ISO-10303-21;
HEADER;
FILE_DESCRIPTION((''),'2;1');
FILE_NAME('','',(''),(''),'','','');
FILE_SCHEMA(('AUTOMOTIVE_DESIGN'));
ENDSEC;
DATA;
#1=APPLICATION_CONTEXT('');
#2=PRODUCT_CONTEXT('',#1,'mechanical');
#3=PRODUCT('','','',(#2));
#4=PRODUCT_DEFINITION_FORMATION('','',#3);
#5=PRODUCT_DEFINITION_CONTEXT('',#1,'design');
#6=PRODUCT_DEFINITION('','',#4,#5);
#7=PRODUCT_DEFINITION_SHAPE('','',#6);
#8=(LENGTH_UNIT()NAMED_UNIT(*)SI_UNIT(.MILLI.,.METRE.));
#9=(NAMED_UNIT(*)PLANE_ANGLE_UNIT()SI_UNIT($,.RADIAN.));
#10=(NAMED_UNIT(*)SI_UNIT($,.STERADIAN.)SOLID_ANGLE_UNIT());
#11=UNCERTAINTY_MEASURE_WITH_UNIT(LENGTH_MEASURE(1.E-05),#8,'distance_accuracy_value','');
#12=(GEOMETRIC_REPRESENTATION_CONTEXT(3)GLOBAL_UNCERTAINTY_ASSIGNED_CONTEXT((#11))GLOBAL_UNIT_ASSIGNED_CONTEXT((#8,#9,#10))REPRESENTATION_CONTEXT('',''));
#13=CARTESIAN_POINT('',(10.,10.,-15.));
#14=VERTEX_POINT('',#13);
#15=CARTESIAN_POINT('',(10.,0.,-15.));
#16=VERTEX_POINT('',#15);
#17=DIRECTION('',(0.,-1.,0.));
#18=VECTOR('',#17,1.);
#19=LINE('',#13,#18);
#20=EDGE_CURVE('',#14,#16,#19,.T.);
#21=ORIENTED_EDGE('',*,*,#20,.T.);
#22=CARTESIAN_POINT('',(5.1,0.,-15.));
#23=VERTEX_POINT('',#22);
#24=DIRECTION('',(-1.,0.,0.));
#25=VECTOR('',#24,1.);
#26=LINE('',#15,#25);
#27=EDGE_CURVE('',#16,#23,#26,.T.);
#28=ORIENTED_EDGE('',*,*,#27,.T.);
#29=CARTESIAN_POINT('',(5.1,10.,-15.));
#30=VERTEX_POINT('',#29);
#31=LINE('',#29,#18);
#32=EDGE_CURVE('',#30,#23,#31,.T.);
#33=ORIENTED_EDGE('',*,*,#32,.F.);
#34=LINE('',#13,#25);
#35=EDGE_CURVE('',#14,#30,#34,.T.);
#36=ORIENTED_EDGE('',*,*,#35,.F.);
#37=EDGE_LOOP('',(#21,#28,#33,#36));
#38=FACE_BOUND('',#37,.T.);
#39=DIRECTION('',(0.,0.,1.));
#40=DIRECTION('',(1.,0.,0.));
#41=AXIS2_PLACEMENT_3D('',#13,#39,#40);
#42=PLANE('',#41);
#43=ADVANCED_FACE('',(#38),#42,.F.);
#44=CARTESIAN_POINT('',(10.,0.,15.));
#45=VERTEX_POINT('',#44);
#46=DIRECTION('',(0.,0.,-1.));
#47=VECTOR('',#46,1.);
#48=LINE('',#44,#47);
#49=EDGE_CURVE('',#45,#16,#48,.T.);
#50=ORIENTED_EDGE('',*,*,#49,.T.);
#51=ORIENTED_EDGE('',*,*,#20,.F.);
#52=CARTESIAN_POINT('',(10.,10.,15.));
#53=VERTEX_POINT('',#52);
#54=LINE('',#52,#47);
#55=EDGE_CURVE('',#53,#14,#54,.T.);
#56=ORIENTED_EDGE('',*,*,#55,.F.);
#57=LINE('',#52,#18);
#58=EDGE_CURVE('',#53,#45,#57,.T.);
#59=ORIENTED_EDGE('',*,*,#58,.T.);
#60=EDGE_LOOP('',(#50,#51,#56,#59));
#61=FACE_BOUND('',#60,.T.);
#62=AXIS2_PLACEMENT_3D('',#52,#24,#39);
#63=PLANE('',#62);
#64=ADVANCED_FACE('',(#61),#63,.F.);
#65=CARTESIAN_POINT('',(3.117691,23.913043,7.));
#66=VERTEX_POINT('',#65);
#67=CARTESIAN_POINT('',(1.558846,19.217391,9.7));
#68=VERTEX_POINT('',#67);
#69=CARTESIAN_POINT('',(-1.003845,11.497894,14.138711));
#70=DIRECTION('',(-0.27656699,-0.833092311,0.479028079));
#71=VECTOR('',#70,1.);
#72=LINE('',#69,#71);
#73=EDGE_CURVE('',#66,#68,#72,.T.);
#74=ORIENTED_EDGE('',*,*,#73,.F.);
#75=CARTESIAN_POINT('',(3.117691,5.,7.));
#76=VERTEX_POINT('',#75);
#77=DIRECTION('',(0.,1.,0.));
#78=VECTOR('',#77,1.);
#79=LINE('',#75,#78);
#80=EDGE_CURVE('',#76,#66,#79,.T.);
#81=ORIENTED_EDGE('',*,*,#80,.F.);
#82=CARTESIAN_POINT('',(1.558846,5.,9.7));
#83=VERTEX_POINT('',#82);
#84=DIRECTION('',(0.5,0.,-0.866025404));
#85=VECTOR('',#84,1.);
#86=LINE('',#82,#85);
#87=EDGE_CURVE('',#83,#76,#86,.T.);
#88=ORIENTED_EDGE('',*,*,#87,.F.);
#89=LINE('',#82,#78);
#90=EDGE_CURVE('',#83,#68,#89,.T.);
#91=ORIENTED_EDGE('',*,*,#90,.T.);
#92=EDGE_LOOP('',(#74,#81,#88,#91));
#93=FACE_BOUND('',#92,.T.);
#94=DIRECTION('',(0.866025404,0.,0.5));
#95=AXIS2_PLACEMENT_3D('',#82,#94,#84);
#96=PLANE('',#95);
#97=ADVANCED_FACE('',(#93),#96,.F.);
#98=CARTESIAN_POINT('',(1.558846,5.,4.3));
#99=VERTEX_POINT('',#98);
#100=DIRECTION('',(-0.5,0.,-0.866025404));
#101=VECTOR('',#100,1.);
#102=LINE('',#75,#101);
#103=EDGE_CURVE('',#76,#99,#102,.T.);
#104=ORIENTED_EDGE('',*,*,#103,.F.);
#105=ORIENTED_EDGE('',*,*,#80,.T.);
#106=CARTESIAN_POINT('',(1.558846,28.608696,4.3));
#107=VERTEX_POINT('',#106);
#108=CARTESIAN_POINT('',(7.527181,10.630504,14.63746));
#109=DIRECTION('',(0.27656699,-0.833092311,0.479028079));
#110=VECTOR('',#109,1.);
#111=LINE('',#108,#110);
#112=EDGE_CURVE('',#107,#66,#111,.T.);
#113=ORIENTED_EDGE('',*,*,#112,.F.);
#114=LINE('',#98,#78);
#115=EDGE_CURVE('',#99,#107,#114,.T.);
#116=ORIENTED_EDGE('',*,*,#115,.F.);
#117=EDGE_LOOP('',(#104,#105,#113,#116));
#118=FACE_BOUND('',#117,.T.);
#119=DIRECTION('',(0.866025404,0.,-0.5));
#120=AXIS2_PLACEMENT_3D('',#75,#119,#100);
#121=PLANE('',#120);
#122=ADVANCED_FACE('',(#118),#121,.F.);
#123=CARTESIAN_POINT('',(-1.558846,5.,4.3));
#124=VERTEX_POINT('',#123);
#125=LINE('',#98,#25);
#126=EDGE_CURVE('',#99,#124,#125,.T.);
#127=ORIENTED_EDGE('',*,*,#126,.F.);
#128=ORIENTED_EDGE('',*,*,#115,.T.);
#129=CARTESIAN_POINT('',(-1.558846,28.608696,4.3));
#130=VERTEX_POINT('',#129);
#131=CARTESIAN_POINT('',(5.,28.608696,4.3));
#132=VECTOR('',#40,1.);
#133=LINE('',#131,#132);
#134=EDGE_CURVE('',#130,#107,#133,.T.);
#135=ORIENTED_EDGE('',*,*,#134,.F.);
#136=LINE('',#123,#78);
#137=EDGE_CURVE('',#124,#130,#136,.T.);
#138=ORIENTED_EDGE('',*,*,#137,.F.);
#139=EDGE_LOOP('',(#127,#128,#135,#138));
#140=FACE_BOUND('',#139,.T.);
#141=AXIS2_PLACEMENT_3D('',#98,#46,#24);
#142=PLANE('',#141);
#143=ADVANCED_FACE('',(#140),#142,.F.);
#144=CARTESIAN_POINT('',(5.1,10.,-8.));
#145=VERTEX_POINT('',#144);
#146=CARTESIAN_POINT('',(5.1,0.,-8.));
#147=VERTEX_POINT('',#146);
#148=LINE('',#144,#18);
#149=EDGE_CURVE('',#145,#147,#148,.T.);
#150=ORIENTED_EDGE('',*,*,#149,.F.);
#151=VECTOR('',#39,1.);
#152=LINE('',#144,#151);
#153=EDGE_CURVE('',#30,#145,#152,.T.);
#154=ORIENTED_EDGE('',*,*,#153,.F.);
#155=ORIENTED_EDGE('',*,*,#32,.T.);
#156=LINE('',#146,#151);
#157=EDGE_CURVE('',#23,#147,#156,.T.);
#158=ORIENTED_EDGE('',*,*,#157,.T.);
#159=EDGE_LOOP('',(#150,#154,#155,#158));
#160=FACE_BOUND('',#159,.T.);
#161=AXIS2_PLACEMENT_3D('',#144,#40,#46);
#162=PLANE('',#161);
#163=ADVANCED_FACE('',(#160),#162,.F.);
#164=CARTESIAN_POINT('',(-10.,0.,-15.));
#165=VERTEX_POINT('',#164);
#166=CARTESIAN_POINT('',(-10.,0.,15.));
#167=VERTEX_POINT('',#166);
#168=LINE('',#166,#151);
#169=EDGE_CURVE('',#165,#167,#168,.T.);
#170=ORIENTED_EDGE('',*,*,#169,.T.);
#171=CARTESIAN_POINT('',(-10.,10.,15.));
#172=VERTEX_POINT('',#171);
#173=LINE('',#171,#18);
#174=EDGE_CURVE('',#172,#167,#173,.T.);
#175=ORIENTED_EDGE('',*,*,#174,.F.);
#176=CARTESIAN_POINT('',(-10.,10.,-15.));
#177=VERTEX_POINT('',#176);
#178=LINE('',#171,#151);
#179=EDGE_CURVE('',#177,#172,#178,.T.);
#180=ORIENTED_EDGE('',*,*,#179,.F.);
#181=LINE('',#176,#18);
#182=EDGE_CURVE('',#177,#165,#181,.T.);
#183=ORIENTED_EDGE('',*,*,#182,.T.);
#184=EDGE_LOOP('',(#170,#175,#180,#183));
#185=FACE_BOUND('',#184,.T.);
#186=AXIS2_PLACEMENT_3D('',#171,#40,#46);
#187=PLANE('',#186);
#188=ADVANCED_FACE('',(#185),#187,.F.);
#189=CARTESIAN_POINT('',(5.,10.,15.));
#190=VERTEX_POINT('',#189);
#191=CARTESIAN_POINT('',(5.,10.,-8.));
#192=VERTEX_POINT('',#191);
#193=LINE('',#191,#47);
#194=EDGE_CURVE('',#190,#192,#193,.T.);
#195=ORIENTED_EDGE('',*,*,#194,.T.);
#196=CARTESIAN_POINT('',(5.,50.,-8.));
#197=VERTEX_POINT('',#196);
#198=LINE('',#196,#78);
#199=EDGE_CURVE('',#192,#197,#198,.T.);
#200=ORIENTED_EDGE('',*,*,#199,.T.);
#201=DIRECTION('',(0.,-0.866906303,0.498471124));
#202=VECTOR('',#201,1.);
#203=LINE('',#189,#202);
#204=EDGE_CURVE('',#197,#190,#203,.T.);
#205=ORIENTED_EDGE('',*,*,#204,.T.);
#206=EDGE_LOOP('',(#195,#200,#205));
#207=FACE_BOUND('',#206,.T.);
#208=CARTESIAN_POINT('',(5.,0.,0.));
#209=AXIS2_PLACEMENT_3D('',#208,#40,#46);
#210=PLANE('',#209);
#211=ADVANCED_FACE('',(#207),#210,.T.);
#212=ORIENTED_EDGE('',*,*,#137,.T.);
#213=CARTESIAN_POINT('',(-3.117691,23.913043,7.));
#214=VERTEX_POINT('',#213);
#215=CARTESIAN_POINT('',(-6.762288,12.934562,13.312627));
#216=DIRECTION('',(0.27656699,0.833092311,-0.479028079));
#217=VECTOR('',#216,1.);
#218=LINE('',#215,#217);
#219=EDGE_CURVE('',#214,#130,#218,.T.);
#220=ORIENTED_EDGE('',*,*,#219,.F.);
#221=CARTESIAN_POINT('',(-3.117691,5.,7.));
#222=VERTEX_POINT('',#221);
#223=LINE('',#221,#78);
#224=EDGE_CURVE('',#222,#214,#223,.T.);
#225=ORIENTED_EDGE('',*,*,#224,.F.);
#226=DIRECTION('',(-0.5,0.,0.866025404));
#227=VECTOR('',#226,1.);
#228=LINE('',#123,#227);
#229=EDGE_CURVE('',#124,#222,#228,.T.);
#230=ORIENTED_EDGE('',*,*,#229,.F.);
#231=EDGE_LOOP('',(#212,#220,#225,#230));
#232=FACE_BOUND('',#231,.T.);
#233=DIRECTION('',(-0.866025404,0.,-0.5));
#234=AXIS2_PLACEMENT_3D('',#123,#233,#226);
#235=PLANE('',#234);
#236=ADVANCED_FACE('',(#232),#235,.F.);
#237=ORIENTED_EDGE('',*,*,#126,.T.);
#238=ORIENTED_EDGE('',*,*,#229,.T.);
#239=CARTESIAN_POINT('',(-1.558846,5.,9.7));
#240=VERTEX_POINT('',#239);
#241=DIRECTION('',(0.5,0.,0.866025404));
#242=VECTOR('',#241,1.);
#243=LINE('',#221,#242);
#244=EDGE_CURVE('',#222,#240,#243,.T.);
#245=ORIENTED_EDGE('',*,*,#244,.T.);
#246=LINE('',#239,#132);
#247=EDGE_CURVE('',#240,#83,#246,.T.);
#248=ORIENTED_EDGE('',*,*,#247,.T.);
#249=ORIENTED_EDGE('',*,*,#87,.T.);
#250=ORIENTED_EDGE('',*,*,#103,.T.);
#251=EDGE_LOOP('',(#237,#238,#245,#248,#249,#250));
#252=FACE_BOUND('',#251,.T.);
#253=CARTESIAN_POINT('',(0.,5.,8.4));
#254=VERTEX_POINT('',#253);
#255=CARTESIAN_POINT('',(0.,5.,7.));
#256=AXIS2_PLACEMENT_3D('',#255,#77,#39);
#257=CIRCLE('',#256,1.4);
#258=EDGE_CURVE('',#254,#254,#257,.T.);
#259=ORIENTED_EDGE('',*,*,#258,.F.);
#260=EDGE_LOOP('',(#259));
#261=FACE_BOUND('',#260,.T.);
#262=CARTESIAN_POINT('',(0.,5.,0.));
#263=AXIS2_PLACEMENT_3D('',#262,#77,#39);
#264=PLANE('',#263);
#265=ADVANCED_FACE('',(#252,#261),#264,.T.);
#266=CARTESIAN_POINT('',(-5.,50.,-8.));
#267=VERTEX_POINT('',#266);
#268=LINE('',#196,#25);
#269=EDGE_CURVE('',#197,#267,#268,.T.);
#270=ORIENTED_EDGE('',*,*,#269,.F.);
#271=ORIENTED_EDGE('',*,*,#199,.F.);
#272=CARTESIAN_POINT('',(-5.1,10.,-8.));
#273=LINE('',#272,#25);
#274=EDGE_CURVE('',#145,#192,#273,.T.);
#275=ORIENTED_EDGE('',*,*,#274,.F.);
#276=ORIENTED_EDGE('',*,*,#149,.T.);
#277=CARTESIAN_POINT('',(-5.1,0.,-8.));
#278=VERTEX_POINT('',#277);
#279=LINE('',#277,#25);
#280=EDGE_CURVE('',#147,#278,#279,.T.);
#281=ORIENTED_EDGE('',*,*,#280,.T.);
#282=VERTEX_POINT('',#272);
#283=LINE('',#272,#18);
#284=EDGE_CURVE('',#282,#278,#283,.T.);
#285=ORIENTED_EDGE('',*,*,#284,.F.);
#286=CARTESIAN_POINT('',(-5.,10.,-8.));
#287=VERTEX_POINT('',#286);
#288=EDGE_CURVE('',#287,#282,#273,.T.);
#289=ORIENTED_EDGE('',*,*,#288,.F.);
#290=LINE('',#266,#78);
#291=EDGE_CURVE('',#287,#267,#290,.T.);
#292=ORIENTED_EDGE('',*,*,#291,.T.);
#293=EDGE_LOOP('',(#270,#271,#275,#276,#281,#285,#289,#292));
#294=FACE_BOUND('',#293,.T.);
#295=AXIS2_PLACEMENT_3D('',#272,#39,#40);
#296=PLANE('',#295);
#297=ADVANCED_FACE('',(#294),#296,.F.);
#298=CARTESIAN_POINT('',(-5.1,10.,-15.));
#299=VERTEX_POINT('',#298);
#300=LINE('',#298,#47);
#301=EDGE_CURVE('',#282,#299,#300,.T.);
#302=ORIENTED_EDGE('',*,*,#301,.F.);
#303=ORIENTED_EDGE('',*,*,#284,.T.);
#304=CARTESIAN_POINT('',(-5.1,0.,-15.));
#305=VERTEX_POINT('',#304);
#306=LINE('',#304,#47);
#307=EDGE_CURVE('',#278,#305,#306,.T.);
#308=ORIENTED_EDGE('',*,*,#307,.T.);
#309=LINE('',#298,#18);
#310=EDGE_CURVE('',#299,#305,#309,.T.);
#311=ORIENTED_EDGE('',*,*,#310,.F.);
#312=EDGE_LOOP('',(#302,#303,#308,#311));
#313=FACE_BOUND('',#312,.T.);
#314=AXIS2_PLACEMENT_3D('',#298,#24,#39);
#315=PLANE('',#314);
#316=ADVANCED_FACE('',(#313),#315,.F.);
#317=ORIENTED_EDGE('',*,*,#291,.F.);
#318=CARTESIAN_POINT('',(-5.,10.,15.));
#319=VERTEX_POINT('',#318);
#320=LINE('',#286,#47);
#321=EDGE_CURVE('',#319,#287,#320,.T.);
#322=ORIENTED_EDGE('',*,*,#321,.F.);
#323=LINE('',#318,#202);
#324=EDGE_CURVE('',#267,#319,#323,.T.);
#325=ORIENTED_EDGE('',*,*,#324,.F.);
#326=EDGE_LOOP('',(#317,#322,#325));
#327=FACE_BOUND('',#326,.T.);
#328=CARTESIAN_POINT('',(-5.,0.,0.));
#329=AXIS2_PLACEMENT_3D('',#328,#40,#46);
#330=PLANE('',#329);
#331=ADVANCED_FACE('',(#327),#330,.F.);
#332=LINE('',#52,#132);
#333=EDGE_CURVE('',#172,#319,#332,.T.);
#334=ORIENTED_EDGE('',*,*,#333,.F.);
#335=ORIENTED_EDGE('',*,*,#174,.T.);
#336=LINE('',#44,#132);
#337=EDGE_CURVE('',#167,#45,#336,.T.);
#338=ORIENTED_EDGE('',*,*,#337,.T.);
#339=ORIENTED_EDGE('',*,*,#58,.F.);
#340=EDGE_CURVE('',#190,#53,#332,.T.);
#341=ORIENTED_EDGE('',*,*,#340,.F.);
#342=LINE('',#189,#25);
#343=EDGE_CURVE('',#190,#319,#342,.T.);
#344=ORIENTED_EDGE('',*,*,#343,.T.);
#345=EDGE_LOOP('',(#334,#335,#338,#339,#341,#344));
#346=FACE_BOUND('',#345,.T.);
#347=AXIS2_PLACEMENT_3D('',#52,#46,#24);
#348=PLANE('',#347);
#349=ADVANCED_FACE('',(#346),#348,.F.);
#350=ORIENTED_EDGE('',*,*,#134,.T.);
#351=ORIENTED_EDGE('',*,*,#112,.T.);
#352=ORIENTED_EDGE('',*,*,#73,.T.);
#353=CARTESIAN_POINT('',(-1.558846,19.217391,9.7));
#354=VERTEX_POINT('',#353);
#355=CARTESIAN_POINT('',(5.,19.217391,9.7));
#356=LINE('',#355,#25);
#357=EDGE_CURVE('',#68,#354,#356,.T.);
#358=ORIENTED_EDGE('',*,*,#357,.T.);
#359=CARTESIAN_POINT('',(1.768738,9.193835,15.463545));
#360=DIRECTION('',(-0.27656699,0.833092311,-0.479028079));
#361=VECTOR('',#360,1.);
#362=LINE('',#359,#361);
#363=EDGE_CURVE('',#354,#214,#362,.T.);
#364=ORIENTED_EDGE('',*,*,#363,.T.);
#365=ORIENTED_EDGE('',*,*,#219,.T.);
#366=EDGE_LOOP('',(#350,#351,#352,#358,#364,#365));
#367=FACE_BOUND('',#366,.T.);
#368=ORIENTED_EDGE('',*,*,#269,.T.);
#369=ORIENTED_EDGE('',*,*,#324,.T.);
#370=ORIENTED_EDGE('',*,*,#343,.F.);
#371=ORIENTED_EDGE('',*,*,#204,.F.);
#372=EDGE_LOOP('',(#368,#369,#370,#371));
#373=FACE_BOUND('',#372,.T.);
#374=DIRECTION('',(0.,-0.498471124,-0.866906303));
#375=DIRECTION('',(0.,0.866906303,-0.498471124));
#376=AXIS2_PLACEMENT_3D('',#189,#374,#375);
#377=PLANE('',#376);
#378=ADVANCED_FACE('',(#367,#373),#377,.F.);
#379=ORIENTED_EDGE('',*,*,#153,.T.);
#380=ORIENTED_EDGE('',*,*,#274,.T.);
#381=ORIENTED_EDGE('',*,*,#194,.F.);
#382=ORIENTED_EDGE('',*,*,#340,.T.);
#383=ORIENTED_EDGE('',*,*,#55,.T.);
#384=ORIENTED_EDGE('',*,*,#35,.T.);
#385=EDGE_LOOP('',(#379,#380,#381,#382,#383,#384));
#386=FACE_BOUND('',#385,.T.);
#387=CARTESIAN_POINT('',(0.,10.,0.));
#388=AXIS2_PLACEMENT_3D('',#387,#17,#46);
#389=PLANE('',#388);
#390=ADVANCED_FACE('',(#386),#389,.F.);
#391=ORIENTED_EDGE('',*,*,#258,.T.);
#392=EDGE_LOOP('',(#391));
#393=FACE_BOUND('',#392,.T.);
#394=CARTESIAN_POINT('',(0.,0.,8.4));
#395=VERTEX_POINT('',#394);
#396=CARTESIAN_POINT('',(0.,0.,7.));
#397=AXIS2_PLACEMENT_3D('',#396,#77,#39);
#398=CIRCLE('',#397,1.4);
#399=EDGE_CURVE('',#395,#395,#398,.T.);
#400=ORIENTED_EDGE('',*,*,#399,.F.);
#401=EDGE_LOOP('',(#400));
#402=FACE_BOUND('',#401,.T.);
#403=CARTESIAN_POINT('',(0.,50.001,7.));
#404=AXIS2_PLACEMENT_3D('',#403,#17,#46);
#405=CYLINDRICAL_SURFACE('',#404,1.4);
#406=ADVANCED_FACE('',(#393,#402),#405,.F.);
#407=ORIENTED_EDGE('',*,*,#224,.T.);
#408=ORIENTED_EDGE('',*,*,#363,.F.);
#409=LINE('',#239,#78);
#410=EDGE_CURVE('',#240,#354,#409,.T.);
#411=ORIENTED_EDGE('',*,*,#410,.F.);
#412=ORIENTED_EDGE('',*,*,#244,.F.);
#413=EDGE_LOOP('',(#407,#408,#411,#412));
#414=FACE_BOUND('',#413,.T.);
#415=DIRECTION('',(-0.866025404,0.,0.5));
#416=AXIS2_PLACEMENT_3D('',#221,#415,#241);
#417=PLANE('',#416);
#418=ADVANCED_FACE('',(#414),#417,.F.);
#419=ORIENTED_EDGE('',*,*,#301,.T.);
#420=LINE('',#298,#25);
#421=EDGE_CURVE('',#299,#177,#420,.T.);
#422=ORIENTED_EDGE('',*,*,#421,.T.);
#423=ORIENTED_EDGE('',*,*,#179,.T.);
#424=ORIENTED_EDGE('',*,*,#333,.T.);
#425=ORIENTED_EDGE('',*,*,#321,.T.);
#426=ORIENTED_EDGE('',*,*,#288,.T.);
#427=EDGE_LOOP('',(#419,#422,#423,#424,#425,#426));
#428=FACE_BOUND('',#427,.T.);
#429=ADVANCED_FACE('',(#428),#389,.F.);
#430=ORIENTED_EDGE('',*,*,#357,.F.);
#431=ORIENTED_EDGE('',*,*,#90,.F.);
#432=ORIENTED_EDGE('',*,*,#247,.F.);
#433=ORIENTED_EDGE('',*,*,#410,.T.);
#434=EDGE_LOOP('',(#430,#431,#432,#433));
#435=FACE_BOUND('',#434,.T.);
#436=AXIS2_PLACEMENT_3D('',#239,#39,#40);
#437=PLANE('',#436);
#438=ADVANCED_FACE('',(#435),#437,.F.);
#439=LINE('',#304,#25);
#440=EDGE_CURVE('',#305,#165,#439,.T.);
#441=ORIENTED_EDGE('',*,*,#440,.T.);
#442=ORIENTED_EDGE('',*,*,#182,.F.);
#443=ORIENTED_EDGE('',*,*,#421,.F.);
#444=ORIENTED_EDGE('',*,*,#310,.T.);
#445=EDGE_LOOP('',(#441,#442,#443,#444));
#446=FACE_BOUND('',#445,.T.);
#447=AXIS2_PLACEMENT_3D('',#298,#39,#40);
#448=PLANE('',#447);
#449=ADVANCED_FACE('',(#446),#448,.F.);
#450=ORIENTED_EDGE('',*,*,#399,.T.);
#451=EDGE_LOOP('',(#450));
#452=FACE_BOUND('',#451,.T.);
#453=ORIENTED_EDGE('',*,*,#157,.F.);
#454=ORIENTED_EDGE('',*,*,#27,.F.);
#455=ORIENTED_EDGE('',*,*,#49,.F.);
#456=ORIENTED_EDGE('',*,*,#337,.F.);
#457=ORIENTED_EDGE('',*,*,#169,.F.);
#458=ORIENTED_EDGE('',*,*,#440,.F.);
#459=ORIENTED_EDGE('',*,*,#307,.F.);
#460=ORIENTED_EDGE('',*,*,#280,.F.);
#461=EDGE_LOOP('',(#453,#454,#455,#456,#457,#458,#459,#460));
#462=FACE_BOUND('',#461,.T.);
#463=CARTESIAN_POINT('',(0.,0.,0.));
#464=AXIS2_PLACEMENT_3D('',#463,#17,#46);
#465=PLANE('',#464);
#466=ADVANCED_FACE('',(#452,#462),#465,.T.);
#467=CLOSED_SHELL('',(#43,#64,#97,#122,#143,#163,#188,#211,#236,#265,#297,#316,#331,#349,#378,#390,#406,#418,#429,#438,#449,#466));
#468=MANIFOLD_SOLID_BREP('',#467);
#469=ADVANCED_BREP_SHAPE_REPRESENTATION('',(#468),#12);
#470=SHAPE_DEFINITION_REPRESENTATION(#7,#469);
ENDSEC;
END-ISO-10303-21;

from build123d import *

# Parameters (mm, degrees)
BOSS_EXTRUDE1_DEPTH = 10
BOSS_EXTRUDE2_DEPTH = 5
CUT_EXTRUDE1_START  = 30
CUT_EXTRUDE1_DEPTH  = 25
CUT_EXTRUDE2_REACH  = 55.151
SKETCH4_R           = 1.4


with BuildPart() as part:
    # Sketch1 → Boss-Extrude1 (new body)
    with BuildSketch(Plane(origin=(0, 0, 0), x_dir=(1, 0, 0), z_dir=(0, 1, 0))):
        Polygon((-5.1, 15), (-5.1, 8), (5.1, 8), (5.1, 15), (10, 15), (10, -15), (-10, -15), (-10, 15), align=None)
    extrude(amount=BOSS_EXTRUDE1_DEPTH)

    # Sketch2 → Boss-Extrude2 (add, symmetric)
    with BuildSketch(Plane(origin=(0, 0, 0), x_dir=(0, 0, -1), z_dir=(1, 0, 0))):
        Polygon((-15, 10), (8, 50), (8, 10), align=None)
    extrude(amount=BOSS_EXTRUDE2_DEPTH, both=True)

    # Sketch3 → Cut-Extrude1 (cut)
    with BuildSketch(Plane(origin=(0, 0, 0), x_dir=(1, 0, 0), z_dir=(0, 1, 0)).offset(CUT_EXTRUDE1_START)):
        Polygon((3.117691454, -7), (1.558845727, -4.3), (-1.558845727, -4.3), (-3.117691454, -7), (-1.558845727, -9.7), (1.558845727, -9.7), align=None)
    extrude(amount=-CUT_EXTRUDE1_DEPTH, mode=Mode.SUBTRACT)

    # Sketch4 → Cut-Extrude2 (cut, up to next)
    with BuildSketch(Plane(origin=(0, 0, 0), x_dir=(1, 0, 0), z_dir=(0, 1, 0)), mode=Mode.PRIVATE) as cut_extrude2_sk1:
        with Locations(Location((0, -7, 0), (0, 0, 270))):
            Circle(SKETCH4_R)
    cut_extrude2_tool1 = extrude(cut_extrude2_sk1.sketch, amount=CUT_EXTRUDE2_REACH, mode=Mode.PRIVATE) & part.part
    add(cut_extrude2_tool1.solids().sort_by_distance((0, 0, 7))[0], mode=Mode.SUBTRACT)


solid = part.part
